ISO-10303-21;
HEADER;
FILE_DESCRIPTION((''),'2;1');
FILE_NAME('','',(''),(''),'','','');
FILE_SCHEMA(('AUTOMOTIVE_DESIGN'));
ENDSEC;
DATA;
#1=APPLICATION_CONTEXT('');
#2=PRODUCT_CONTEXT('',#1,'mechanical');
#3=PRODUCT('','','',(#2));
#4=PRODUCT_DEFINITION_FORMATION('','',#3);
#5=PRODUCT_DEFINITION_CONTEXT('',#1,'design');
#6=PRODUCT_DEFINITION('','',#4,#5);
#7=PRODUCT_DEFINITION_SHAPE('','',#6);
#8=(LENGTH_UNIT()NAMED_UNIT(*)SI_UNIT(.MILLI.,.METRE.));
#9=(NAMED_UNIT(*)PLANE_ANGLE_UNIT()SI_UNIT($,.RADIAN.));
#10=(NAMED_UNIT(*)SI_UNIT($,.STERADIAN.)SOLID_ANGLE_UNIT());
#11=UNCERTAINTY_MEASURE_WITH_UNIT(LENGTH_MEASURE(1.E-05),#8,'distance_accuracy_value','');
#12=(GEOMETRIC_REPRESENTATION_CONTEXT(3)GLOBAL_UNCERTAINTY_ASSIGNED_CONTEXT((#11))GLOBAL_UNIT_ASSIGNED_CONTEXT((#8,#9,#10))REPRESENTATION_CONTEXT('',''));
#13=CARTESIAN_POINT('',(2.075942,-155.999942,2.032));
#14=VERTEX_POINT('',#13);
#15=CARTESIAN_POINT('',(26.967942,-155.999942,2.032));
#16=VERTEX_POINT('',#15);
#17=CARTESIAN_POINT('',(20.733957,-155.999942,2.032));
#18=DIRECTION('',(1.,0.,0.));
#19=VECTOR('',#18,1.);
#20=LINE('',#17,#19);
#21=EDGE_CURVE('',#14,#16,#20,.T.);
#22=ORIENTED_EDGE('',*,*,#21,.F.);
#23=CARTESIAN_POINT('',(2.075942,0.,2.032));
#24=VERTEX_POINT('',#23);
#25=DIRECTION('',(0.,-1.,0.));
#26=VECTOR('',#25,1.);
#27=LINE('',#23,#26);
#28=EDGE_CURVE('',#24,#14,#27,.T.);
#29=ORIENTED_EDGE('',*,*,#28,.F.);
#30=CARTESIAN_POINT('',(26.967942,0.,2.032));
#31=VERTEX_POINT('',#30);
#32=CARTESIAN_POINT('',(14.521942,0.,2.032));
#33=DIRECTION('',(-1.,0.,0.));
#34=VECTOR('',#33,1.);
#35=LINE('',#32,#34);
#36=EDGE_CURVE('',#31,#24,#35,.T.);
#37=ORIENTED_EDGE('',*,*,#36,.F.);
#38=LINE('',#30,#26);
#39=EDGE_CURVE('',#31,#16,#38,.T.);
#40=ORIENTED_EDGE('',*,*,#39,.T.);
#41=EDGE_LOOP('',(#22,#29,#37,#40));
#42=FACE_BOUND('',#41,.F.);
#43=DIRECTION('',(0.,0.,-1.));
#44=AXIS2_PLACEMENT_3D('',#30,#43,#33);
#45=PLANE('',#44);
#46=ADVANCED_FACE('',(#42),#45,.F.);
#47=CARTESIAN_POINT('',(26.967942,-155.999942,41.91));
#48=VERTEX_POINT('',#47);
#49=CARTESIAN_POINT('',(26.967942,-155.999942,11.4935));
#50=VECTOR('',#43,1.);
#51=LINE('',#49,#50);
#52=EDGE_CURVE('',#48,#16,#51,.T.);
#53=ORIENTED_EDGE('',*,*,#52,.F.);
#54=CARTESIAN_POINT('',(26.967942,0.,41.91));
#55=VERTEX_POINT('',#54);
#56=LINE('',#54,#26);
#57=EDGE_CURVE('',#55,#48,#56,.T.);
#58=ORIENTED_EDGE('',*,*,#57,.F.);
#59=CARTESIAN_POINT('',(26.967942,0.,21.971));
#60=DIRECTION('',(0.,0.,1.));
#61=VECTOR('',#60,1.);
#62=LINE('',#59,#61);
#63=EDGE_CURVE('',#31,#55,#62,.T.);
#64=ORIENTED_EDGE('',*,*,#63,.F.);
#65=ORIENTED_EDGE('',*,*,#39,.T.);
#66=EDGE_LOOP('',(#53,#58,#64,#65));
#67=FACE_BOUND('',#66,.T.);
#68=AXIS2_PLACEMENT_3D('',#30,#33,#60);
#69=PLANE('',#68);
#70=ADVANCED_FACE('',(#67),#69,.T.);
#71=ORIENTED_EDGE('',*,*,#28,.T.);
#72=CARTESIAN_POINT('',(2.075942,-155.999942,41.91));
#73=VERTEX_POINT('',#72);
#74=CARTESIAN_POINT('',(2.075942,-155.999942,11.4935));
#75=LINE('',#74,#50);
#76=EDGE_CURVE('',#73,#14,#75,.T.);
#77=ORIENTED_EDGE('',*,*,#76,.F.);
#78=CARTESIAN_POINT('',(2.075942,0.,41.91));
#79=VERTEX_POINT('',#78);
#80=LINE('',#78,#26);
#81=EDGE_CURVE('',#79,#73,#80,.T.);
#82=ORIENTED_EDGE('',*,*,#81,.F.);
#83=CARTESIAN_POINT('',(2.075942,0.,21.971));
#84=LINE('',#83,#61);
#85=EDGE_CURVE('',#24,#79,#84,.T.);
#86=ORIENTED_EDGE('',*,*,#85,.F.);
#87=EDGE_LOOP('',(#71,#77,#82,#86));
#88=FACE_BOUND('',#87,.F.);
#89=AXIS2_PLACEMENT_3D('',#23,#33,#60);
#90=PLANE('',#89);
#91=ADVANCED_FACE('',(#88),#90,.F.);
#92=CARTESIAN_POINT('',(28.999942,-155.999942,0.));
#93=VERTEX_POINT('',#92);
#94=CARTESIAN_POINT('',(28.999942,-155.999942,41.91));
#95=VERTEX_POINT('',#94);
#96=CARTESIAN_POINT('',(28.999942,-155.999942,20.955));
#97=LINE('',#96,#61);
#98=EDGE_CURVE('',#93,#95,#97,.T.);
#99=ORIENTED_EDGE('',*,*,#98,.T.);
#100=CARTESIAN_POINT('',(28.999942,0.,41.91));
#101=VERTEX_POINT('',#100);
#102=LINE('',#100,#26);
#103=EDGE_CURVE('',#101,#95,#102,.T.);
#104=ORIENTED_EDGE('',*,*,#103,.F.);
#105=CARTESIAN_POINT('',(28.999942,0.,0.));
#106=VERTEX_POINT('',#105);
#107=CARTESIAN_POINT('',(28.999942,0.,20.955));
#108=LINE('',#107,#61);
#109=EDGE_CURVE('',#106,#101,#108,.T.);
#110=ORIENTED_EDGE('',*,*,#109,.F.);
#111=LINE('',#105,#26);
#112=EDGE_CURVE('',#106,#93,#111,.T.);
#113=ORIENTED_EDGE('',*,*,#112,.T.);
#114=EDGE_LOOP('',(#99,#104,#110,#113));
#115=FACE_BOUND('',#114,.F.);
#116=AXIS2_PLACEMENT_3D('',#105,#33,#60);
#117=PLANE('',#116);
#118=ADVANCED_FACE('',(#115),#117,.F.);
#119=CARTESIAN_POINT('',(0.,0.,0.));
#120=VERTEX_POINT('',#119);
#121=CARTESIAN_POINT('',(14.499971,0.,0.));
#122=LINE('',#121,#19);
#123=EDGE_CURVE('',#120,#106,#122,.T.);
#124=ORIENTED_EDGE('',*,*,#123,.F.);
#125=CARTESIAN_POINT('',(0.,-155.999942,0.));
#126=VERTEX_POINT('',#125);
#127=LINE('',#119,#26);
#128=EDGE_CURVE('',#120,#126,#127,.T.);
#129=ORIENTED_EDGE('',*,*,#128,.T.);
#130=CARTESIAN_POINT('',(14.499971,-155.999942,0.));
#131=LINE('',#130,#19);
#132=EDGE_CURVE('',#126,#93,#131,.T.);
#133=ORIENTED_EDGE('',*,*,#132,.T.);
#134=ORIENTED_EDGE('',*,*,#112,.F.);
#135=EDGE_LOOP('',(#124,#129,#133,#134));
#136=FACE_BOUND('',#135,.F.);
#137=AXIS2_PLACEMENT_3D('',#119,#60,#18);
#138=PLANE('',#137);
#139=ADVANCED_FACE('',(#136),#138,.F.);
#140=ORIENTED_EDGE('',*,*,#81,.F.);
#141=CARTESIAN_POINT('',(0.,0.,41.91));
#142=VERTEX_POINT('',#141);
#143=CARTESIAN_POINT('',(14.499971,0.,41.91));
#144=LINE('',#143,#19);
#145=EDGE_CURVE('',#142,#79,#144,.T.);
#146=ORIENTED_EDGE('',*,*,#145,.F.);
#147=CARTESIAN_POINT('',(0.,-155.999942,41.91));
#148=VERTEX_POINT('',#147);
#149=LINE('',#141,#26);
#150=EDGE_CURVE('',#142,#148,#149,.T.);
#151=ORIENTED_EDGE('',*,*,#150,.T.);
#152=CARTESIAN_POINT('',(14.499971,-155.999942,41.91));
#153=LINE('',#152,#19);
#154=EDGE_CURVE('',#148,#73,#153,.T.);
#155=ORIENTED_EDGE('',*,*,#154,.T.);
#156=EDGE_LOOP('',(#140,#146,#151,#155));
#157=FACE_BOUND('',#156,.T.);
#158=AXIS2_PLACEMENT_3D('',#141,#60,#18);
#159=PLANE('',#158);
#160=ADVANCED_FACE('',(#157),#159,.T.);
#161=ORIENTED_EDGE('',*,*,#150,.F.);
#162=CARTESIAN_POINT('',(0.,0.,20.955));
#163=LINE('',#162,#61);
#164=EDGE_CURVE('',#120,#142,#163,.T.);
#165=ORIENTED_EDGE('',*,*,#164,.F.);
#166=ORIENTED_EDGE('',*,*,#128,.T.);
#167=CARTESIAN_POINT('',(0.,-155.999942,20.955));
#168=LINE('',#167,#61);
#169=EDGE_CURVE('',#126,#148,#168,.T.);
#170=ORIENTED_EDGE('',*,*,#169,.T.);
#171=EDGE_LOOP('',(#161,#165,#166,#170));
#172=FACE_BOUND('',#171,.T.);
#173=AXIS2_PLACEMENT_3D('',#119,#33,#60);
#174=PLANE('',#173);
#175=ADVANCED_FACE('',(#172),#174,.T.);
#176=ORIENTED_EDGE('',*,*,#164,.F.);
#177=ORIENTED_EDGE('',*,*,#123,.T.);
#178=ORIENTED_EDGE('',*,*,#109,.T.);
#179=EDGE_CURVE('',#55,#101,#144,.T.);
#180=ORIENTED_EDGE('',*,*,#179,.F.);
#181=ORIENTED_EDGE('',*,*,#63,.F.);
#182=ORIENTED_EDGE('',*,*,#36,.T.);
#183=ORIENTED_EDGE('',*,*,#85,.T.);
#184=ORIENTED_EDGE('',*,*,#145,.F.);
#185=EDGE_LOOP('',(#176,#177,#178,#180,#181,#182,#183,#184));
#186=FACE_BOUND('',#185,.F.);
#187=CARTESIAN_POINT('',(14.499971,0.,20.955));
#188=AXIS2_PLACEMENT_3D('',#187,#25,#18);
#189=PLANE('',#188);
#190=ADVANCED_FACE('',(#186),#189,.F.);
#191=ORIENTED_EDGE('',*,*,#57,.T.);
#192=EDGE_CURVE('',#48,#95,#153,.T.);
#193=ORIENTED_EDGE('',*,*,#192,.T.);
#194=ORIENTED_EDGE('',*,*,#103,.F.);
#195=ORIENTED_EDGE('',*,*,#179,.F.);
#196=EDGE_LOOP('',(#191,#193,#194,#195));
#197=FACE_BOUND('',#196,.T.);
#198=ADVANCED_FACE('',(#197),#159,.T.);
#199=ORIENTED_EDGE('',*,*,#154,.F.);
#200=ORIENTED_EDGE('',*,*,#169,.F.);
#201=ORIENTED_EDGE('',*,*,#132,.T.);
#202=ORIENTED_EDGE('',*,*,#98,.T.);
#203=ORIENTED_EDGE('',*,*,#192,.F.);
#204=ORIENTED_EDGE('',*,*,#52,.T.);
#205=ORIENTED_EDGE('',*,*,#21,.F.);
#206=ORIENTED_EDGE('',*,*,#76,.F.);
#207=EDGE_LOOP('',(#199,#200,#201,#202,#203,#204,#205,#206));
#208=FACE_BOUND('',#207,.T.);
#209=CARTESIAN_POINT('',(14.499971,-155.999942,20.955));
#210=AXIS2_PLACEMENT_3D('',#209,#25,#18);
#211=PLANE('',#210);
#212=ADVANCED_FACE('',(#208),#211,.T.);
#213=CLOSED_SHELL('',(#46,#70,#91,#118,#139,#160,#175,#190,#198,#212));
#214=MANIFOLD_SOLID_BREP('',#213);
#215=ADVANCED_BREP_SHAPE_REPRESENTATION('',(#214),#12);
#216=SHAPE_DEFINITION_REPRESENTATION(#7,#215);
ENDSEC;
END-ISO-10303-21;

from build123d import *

# Parameters (mm, degrees)
F0_W     = 28.999942
F0_H     = 41.91
F1_DEPTH = 155.999942
F2_W     = 24.892
F2_H     = 39.878
F3_DEPTH = 156.000942


with BuildPart() as f1:
    # F0 (on Front) → F1 (new body)
    with BuildSketch(Plane.XZ):
        with Locations((14.499971, 20.955)):
            Rectangle(F0_W, F0_H)
    extrude(amount=F1_DEPTH)

    # F2 (on face) → F3 (cut, through all)
    with BuildSketch(Plane(origin=(0, 0, 0), x_dir=(-1, 0, 0), z_dir=(0, 1, 0))):
        with Locations((-14.521942, 21.971)):
            Rectangle(F2_W, F2_H)
    extrude(amount=-F3_DEPTH, mode=Mode.SUBTRACT)


solid = f1.part
